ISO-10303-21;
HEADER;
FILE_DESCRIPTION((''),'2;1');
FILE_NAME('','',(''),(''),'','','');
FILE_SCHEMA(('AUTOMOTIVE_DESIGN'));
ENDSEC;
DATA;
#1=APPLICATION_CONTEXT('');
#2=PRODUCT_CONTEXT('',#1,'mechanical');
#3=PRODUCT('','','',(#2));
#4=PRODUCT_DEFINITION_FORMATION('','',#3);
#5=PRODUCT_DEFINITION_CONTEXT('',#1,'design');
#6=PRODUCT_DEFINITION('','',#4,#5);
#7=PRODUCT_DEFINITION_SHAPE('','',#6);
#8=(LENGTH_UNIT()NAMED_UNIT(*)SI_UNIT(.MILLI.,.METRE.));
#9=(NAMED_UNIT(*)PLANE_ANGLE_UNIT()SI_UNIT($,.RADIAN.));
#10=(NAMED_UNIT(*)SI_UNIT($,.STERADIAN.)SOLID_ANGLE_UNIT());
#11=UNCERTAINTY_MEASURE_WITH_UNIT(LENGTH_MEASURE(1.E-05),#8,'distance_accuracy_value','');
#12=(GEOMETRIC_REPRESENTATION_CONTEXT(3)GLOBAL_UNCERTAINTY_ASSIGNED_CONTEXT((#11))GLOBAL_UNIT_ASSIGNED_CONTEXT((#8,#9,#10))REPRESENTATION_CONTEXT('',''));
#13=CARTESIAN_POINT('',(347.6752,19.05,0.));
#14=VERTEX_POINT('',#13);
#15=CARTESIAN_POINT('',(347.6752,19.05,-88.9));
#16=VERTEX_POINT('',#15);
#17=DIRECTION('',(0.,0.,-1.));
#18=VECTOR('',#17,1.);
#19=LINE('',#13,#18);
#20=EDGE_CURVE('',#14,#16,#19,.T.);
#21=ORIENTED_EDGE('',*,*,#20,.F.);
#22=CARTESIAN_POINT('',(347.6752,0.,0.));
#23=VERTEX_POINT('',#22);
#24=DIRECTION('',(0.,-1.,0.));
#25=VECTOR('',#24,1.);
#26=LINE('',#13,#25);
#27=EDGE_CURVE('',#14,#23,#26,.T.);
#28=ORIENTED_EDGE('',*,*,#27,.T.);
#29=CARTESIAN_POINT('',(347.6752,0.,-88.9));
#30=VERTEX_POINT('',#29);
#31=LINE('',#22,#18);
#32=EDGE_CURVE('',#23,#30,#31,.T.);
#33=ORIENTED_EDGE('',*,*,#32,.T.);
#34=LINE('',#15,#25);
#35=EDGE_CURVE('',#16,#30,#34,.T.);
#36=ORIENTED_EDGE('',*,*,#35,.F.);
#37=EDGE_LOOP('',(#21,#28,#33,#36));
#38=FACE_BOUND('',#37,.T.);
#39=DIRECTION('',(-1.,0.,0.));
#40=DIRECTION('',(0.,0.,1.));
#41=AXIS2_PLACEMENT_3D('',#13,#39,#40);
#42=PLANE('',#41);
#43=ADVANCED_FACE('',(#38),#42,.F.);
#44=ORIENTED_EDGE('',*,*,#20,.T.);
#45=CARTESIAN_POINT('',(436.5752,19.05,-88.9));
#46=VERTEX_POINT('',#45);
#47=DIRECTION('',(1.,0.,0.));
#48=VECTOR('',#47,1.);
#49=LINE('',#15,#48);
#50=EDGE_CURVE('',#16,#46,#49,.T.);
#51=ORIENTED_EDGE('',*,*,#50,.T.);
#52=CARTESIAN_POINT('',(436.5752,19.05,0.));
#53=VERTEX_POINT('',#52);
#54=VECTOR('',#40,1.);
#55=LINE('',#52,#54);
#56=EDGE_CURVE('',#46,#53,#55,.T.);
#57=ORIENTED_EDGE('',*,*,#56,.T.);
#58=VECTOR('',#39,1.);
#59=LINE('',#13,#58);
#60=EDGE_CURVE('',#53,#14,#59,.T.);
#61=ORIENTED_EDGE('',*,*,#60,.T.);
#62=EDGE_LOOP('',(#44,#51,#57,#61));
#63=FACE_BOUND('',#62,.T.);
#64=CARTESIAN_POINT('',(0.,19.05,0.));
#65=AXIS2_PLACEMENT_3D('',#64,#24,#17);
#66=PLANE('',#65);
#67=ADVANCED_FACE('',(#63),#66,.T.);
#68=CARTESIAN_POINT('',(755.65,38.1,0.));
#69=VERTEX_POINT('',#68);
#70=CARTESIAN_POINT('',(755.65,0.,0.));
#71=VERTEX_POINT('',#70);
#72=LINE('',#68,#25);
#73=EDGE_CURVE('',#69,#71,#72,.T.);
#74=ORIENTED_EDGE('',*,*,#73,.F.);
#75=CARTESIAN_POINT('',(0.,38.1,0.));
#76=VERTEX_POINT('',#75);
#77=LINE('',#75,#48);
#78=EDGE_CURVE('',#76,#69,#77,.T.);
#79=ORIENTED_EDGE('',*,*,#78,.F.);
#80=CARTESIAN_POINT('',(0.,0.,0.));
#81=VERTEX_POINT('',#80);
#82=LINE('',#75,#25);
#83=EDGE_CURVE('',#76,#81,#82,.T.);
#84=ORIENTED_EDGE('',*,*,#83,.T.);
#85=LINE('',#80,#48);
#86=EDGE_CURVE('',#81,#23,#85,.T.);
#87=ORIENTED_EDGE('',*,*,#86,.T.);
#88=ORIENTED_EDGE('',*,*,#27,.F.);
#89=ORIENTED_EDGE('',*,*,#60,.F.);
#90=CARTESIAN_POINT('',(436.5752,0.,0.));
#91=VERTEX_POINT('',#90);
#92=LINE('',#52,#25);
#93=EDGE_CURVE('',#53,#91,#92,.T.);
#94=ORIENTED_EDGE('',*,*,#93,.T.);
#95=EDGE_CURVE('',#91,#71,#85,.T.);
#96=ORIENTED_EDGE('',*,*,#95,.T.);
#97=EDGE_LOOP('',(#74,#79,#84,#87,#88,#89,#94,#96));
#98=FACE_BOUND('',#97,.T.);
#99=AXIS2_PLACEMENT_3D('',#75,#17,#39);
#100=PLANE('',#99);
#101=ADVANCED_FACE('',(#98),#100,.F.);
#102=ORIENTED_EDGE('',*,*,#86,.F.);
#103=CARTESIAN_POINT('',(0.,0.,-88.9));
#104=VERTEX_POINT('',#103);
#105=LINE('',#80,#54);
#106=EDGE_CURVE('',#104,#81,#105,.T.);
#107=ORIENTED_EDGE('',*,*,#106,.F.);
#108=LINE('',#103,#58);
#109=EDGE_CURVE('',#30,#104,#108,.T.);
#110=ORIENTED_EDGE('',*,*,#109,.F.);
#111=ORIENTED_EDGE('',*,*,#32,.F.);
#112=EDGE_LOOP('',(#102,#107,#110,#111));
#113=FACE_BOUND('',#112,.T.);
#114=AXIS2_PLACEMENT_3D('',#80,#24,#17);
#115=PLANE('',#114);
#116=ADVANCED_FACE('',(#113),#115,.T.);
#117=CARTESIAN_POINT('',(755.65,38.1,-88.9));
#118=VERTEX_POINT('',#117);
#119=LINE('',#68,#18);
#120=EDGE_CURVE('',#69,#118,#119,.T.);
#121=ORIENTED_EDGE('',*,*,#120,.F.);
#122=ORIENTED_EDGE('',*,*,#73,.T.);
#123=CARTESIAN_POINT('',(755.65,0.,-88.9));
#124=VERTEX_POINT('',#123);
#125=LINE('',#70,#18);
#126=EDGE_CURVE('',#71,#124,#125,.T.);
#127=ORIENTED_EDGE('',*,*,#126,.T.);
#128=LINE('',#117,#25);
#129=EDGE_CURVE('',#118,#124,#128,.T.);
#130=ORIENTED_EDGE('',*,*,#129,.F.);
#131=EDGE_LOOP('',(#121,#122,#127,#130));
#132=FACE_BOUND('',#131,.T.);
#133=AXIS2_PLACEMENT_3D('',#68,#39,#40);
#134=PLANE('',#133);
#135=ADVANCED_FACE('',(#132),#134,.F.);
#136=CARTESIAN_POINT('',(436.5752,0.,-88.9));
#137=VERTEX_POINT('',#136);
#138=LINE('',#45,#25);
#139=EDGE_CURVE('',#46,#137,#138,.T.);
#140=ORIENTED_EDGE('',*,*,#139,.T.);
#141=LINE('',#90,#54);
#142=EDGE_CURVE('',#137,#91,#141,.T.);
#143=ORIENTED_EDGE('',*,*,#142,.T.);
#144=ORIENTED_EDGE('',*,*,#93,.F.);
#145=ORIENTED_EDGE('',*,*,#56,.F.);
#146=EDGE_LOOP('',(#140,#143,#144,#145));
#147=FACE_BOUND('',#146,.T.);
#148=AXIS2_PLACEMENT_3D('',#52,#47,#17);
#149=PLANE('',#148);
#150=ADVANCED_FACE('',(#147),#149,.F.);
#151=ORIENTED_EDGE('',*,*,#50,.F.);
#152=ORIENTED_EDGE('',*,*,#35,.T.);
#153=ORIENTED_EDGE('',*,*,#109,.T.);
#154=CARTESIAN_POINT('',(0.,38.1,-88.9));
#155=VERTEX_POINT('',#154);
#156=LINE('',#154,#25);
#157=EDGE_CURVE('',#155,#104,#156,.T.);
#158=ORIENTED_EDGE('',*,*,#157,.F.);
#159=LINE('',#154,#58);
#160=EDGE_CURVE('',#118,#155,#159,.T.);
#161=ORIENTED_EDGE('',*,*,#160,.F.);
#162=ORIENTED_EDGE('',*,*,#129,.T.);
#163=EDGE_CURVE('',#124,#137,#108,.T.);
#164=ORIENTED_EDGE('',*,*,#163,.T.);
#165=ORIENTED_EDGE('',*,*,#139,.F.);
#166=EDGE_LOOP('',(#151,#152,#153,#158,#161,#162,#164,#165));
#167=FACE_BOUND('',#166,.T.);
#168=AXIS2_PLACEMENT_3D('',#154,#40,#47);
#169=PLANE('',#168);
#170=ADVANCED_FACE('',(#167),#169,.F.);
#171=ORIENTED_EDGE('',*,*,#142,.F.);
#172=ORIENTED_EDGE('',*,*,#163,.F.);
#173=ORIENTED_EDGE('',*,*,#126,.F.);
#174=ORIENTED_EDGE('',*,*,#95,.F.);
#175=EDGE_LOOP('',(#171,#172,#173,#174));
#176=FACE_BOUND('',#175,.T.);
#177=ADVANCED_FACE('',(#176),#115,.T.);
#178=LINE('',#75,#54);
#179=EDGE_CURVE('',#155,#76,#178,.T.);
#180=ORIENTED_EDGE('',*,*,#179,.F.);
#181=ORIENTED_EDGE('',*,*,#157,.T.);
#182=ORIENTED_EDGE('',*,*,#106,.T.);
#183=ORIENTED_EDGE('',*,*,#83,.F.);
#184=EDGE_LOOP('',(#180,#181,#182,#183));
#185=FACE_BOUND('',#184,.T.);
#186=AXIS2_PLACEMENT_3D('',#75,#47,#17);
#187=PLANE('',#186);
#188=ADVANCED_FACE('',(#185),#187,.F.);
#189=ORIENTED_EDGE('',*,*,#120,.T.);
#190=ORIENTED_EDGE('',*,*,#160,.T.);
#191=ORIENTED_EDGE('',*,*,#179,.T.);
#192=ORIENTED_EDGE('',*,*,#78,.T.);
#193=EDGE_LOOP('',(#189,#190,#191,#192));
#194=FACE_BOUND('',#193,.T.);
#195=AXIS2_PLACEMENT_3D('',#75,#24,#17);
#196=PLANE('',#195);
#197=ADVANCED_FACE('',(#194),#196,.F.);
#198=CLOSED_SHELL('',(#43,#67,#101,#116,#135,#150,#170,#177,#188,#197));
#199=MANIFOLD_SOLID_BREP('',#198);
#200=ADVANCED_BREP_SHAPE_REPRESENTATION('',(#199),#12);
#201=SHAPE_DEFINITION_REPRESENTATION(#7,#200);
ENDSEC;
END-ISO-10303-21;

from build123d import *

# Parameters (mm, degrees)
SKETCH1_W           = 755.65
SKETCH1_H           = 88.9
BOSS_EXTRUDE1_DEPTH = 38.1
SKETCH2_W           = 88.9
SKETCH2_H           = 88.9
CUT_EXTRUDE1_DEPTH  = 19.05


with BuildPart() as part:
    # Sketch1 → Boss-Extrude1 (new body)
    with BuildSketch(Plane(origin=(0, 0, 0), x_dir=(1, 0, 0), z_dir=(0, 1, 0))):
        with Locations((377.825, 44.45)):
            Rectangle(SKETCH1_W, SKETCH1_H)
    extrude(amount=BOSS_EXTRUDE1_DEPTH)

    # Sketch2 → Cut-Extrude1 (cut)
    with BuildSketch(Plane.XZ):
        with Locations((392.1252, -44.45)):
            Rectangle(SKETCH2_W, SKETCH2_H)
    extrude(amount=-CUT_EXTRUDE1_DEPTH, mode=Mode.SUBTRACT)


solid = part.part
